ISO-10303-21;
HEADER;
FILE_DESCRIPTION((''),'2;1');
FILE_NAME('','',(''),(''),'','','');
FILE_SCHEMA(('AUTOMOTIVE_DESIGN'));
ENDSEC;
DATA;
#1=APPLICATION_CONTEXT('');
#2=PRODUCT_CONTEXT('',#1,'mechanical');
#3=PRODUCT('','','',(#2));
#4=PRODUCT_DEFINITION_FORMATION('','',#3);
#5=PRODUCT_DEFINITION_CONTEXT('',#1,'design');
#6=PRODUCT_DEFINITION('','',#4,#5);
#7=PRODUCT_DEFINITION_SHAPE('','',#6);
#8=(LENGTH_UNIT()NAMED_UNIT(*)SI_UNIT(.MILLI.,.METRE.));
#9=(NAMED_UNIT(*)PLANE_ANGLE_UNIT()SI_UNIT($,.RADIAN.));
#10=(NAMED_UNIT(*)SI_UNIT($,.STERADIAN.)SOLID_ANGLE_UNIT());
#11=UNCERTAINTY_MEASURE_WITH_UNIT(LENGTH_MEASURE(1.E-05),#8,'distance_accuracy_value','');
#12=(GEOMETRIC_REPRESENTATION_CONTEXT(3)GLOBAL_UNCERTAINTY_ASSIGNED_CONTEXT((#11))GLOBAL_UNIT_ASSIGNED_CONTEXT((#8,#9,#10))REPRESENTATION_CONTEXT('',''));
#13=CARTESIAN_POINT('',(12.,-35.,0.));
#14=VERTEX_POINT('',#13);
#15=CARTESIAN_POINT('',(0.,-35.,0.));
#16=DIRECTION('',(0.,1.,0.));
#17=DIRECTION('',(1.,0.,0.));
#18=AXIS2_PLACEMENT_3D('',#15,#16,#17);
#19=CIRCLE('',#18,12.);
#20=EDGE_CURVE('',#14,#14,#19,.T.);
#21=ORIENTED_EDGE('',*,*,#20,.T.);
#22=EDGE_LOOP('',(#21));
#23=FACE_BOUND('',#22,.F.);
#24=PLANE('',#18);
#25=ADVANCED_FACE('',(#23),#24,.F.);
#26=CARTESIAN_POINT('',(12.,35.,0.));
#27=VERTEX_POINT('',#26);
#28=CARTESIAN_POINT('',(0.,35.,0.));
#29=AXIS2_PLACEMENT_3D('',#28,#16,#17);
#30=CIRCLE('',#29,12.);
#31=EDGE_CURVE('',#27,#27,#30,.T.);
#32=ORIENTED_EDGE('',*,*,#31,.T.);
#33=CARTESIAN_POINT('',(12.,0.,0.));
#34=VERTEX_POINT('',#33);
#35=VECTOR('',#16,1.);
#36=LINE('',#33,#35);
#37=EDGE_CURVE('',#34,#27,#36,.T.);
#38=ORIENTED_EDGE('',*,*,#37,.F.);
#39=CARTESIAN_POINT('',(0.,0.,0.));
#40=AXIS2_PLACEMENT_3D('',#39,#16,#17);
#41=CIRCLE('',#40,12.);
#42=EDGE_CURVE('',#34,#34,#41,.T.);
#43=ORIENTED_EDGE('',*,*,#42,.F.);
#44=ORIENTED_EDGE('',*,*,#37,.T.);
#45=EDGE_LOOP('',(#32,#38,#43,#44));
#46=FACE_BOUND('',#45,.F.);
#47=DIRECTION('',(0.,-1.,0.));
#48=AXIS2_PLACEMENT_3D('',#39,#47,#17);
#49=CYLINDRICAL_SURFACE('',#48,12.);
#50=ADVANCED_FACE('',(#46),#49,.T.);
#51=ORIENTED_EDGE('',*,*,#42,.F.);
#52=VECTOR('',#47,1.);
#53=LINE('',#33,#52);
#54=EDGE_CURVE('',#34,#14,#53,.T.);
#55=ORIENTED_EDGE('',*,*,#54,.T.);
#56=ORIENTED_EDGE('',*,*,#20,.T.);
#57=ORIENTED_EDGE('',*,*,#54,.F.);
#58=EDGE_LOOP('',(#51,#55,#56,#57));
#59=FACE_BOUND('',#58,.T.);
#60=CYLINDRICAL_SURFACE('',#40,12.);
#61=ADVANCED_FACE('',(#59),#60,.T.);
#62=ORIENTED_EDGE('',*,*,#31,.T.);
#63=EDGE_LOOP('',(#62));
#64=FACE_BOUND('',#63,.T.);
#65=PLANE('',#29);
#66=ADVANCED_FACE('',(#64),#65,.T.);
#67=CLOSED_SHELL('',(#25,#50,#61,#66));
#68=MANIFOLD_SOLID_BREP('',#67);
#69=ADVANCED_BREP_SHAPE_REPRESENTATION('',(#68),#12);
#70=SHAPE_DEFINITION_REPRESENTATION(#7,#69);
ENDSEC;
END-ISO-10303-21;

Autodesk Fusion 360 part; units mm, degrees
sketch "Sketch1" plane through (0, 0, 0) normal (0, 1, 0) x (1, 0, 0)
  circle A0 centre (0, 0) radius 12
  dimension "d1" = 24
extrude "Extrude1" add sketch "Sketch1" along normal mid plane 70
equation "d2 = ( 7 cm / 2 cm ) * 1 cm"
